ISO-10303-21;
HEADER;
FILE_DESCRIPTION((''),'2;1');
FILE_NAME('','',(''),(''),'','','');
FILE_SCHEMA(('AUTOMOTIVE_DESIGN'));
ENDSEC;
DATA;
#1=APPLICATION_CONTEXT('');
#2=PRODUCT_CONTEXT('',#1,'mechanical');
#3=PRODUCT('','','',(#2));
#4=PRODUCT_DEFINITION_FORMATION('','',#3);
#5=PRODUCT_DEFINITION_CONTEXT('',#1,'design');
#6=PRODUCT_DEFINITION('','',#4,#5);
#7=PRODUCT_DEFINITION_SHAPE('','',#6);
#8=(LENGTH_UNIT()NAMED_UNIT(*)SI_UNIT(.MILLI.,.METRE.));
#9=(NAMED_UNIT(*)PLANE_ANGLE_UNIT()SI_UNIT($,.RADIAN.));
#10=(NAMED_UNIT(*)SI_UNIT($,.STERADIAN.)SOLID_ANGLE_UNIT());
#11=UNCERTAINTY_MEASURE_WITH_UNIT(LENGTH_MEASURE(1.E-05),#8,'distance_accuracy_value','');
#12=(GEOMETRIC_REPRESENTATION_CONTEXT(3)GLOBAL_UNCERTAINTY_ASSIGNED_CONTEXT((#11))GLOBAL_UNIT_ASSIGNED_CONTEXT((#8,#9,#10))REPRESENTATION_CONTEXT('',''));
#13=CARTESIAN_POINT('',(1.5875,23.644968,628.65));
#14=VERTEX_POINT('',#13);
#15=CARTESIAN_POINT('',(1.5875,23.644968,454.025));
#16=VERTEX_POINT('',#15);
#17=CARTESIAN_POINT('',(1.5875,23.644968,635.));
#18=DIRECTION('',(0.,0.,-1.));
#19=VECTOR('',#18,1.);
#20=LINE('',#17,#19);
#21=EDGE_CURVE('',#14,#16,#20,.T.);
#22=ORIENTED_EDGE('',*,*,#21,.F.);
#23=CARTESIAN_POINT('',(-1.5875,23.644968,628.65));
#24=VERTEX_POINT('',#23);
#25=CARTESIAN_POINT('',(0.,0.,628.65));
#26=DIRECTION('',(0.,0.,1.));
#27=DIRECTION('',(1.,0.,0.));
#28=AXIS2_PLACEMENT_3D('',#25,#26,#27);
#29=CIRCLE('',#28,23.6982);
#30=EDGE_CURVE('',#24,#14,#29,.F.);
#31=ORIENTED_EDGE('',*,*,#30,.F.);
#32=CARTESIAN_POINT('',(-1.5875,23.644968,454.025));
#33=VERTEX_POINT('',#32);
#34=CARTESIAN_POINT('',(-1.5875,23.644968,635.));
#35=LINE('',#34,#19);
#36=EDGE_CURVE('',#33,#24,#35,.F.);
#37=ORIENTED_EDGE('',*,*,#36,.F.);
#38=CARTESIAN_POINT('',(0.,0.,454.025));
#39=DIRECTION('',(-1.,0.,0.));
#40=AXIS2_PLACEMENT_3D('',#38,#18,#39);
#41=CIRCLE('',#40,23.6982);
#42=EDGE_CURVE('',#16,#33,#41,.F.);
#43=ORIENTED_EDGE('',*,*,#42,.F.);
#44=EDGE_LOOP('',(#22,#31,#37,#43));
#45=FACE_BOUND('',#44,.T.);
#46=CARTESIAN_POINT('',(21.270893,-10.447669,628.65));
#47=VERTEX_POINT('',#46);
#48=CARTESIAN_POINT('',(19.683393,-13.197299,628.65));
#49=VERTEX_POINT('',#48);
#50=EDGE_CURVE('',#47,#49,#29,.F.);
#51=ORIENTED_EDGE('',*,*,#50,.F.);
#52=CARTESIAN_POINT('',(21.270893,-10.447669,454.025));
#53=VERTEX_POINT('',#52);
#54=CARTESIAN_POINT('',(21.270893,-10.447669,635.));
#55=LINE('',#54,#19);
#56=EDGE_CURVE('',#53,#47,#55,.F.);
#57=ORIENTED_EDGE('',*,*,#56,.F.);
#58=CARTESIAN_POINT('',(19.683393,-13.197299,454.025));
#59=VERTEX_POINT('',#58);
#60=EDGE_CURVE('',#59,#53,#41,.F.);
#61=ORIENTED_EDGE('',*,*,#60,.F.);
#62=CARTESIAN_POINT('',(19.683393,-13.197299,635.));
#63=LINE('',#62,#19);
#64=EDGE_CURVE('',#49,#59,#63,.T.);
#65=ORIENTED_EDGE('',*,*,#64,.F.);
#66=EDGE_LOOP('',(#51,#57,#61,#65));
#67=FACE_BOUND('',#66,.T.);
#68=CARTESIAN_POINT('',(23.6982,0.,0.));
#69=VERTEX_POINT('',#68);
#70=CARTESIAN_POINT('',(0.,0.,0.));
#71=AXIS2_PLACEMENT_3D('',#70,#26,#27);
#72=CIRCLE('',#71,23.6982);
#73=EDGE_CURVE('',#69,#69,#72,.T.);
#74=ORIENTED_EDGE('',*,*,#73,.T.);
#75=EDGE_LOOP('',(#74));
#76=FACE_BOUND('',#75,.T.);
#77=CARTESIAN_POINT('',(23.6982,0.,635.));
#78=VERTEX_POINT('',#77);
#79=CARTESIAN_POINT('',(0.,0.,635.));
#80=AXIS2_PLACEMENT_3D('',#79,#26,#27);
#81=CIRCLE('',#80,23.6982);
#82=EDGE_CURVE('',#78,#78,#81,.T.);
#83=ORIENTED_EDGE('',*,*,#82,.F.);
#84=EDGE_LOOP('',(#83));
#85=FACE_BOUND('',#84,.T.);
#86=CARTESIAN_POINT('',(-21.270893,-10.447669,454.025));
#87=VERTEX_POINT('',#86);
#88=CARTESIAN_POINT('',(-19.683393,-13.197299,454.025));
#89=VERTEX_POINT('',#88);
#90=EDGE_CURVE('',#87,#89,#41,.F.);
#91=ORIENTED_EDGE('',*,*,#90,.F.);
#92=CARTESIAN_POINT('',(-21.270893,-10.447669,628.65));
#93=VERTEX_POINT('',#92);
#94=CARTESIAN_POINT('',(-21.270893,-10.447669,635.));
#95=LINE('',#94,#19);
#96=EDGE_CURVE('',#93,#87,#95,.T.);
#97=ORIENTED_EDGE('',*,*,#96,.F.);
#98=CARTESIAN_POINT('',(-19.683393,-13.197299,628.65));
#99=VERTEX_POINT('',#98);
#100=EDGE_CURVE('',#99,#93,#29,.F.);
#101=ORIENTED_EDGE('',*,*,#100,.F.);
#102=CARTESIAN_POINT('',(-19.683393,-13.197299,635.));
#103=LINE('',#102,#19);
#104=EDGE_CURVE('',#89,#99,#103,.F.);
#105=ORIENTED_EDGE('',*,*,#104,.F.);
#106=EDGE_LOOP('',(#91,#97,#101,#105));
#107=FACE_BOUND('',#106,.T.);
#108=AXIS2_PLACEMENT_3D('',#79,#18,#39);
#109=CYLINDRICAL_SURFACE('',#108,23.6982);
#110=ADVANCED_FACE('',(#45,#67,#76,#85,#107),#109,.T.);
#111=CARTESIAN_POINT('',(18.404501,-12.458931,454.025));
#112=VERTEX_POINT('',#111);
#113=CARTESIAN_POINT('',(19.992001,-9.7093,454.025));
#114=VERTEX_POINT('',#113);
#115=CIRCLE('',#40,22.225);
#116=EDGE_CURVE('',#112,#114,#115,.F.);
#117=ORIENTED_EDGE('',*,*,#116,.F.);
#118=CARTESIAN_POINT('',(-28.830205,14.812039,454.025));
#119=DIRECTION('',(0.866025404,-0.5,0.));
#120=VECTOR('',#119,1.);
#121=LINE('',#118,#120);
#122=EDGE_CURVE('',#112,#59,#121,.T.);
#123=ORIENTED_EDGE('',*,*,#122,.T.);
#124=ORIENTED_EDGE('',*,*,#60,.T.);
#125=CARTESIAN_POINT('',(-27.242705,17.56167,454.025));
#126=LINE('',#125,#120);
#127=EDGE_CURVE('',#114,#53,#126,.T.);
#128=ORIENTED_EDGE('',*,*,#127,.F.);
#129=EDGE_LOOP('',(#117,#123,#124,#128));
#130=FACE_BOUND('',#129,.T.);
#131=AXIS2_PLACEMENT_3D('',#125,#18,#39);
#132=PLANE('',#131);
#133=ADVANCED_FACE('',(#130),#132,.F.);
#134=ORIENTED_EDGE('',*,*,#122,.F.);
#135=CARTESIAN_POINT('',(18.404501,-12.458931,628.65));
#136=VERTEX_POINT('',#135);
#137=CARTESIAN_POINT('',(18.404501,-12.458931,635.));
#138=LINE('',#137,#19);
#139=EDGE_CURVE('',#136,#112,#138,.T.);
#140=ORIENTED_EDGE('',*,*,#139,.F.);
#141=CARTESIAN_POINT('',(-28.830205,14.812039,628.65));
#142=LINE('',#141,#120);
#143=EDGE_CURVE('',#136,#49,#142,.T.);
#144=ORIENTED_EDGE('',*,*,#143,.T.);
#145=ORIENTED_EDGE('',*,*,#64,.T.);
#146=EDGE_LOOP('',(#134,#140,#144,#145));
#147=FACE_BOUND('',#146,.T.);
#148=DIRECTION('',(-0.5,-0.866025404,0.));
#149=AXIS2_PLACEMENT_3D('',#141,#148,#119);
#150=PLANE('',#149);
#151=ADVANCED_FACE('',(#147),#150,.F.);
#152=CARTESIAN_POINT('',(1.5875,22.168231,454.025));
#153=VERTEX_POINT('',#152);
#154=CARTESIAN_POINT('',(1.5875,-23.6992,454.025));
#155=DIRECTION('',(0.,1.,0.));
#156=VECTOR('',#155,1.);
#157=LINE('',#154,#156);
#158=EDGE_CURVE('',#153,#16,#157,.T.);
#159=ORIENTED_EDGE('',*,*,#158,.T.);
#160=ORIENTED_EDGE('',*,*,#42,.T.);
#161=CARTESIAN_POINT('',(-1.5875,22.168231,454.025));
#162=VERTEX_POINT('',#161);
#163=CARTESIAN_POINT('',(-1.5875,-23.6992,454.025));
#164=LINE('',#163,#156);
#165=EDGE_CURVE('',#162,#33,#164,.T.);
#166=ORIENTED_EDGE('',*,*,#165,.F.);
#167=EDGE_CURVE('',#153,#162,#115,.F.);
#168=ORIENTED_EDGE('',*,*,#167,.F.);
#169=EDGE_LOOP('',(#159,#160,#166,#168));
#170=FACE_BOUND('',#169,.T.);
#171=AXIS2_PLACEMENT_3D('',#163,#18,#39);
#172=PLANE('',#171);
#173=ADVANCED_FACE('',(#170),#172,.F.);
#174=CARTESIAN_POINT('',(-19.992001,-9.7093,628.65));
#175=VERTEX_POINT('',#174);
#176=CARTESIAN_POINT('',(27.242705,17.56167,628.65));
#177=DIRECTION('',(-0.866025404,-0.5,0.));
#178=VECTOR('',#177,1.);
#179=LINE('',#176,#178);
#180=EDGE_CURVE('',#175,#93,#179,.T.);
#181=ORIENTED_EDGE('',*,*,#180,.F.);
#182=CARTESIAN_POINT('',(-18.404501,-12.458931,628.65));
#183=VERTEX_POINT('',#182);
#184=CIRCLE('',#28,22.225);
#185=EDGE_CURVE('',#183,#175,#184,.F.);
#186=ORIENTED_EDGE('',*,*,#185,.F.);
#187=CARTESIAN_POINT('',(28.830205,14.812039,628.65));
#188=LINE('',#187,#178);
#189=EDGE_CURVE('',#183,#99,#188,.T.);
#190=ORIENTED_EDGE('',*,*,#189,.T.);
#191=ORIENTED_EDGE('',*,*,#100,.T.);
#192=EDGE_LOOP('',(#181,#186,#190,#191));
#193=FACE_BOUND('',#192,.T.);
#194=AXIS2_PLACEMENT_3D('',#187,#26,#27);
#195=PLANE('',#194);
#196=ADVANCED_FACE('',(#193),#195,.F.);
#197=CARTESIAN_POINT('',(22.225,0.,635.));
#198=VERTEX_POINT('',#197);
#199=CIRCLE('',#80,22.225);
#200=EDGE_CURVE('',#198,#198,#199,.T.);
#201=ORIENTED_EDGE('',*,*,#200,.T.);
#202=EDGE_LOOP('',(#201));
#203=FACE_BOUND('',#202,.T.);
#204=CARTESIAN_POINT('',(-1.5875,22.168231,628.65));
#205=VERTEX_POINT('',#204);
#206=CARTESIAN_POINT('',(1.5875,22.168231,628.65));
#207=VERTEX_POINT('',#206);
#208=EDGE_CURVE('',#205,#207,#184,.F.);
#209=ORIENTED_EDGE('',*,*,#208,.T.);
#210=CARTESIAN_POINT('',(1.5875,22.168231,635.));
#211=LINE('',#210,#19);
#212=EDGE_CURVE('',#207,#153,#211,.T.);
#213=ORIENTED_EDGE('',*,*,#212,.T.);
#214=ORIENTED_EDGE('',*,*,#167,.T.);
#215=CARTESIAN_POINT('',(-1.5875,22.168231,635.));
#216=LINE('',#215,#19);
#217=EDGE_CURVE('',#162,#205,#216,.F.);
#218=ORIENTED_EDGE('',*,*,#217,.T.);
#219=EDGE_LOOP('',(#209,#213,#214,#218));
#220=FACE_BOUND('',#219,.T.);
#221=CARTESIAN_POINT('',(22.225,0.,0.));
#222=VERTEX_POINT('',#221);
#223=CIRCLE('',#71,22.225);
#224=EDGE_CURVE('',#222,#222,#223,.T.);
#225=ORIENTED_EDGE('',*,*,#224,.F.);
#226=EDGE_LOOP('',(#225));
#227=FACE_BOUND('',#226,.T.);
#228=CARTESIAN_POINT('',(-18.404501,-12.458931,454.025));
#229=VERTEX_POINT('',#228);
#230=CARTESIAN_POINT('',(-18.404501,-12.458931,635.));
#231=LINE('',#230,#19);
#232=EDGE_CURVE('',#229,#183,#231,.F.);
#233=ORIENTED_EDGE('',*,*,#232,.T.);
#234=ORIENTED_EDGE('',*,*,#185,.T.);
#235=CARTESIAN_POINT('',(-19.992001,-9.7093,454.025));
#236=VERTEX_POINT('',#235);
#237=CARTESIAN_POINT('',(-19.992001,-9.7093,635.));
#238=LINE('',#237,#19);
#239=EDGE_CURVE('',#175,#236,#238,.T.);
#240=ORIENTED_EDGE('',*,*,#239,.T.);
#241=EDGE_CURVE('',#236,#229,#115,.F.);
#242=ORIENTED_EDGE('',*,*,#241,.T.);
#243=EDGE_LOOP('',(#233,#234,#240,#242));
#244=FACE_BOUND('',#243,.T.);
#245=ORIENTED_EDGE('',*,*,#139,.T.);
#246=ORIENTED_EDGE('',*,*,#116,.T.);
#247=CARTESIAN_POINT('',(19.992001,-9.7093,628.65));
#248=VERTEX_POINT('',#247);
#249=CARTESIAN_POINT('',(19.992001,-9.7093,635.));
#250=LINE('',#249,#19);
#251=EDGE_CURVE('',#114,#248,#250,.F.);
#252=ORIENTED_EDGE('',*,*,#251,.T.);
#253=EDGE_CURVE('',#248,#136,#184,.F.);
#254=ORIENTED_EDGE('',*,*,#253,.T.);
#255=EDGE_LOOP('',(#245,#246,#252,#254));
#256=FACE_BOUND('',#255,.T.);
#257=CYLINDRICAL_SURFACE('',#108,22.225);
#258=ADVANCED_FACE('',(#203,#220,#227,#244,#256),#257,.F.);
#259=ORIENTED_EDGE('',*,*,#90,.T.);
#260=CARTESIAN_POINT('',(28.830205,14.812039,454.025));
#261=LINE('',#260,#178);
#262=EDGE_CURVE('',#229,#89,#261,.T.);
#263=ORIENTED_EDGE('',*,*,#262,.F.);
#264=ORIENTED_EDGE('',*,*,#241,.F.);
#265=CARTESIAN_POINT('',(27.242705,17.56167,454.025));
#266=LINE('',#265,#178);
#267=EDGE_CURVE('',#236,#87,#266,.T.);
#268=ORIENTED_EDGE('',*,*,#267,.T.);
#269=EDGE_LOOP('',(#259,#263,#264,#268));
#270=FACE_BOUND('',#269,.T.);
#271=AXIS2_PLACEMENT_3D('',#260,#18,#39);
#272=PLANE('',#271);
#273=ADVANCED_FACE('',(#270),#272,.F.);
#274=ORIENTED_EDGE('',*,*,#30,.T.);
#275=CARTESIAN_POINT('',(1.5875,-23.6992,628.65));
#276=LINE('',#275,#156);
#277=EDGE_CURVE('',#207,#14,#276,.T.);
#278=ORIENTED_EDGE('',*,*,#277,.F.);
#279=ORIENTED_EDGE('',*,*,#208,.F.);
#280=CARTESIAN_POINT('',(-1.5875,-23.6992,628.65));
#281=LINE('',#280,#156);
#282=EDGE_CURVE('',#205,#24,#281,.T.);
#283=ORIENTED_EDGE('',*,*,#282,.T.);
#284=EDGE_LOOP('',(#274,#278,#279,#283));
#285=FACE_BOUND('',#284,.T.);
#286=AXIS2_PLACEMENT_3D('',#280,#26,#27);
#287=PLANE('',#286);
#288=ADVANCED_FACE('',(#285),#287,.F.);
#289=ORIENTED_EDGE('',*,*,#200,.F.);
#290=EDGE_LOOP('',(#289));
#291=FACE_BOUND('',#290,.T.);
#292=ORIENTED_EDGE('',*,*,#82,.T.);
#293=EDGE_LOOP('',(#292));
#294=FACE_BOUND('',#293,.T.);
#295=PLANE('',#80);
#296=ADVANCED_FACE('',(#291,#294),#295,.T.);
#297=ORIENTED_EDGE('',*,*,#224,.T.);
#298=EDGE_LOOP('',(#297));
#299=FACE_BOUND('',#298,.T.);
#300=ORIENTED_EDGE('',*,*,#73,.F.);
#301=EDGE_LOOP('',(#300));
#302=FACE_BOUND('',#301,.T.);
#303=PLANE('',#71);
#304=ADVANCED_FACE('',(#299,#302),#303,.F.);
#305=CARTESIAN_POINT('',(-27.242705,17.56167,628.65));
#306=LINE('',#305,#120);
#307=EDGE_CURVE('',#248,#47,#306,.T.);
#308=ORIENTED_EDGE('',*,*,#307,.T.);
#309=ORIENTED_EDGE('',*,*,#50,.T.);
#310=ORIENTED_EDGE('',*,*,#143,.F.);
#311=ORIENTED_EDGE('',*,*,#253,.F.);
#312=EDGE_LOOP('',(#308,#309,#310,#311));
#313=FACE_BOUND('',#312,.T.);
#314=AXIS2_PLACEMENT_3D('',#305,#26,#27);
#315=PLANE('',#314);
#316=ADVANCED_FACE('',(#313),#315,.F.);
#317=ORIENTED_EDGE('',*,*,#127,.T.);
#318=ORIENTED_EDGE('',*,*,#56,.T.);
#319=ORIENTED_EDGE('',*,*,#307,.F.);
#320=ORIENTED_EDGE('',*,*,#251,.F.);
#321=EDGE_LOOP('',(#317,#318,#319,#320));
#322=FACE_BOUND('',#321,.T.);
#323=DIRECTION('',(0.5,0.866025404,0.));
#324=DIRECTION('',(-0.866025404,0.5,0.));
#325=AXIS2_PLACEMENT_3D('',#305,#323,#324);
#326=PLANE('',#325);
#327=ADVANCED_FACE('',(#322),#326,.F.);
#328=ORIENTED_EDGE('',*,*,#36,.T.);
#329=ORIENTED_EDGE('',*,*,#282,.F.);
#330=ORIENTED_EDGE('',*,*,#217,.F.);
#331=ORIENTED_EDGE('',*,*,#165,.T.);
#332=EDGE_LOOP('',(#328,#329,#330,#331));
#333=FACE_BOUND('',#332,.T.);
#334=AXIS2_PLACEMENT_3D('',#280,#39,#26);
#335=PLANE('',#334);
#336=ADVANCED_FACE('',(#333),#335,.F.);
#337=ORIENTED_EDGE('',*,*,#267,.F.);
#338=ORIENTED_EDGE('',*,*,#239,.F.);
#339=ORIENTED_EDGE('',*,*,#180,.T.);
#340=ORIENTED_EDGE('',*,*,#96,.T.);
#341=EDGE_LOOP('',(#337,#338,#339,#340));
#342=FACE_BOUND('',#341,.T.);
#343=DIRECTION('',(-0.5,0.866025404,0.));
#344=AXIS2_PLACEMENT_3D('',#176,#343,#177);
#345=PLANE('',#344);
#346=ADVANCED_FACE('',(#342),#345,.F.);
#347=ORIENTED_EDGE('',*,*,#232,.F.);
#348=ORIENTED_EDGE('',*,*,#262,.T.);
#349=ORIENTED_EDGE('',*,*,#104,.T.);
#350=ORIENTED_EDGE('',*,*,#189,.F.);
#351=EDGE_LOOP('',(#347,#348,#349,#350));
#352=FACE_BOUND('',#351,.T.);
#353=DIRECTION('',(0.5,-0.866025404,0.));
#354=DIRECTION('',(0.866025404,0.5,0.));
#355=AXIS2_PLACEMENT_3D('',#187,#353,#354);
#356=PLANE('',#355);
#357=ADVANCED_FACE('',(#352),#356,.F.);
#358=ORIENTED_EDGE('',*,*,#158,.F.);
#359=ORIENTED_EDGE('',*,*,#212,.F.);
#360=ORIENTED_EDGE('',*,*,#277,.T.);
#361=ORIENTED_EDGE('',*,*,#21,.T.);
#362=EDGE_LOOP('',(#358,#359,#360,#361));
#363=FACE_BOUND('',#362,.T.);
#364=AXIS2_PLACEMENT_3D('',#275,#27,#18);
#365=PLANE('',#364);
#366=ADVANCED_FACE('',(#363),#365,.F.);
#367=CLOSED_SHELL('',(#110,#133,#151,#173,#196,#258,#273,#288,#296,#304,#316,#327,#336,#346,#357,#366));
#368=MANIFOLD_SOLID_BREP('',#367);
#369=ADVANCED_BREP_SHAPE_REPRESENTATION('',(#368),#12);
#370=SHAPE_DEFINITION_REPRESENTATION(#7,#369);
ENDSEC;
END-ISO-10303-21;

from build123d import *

# Parameters (mm, degrees)
SKETCH1_R           = 23.6982
SKETCH1_R_2         = 22.225
BOSS_EXTRUDE1_DEPTH = 635
CUT_EXTRUDE2_START  = -28.631769
SKETCH3_W           = 3.175
SKETCH3_H           = 174.625
CUT_EXTRUDE2_DEPTH  = 1.529969
CIRPATTERN4_COUNT   = 3


with BuildPart() as part:
    # Sketch1 → Boss-Extrude1 (new body)
    with BuildSketch(Plane.XY):
        Circle(SKETCH1_R)
        Circle(SKETCH1_R_2, mode=Mode.SUBTRACT)
    extrude(amount=BOSS_EXTRUDE1_DEPTH)

    # Sketch3 → Cut-Extrude2 (cut)
    with BuildSketch(Plane(origin=(0, 50.8, 0), x_dir=(1, 0, 0), z_dir=(0, 1, 0)).offset(CUT_EXTRUDE2_START)):
        with Locations((0, -541.3375)):
            Rectangle(SKETCH3_W, SKETCH3_H)
    cut_extrude2 = extrude(amount=CUT_EXTRUDE2_DEPTH, mode=Mode.SUBTRACT)

    # CirPattern4: Cut-Extrude2 ×3 about axis
    cirpattern4_axis = Axis((0, 0, 0), (0, 0, 1))
    for i in range(1, CIRPATTERN4_COUNT):
        add(cut_extrude2.rotate(cirpattern4_axis, i * 360 / CIRPATTERN4_COUNT), mode=Mode.SUBTRACT)


solid = part.part
